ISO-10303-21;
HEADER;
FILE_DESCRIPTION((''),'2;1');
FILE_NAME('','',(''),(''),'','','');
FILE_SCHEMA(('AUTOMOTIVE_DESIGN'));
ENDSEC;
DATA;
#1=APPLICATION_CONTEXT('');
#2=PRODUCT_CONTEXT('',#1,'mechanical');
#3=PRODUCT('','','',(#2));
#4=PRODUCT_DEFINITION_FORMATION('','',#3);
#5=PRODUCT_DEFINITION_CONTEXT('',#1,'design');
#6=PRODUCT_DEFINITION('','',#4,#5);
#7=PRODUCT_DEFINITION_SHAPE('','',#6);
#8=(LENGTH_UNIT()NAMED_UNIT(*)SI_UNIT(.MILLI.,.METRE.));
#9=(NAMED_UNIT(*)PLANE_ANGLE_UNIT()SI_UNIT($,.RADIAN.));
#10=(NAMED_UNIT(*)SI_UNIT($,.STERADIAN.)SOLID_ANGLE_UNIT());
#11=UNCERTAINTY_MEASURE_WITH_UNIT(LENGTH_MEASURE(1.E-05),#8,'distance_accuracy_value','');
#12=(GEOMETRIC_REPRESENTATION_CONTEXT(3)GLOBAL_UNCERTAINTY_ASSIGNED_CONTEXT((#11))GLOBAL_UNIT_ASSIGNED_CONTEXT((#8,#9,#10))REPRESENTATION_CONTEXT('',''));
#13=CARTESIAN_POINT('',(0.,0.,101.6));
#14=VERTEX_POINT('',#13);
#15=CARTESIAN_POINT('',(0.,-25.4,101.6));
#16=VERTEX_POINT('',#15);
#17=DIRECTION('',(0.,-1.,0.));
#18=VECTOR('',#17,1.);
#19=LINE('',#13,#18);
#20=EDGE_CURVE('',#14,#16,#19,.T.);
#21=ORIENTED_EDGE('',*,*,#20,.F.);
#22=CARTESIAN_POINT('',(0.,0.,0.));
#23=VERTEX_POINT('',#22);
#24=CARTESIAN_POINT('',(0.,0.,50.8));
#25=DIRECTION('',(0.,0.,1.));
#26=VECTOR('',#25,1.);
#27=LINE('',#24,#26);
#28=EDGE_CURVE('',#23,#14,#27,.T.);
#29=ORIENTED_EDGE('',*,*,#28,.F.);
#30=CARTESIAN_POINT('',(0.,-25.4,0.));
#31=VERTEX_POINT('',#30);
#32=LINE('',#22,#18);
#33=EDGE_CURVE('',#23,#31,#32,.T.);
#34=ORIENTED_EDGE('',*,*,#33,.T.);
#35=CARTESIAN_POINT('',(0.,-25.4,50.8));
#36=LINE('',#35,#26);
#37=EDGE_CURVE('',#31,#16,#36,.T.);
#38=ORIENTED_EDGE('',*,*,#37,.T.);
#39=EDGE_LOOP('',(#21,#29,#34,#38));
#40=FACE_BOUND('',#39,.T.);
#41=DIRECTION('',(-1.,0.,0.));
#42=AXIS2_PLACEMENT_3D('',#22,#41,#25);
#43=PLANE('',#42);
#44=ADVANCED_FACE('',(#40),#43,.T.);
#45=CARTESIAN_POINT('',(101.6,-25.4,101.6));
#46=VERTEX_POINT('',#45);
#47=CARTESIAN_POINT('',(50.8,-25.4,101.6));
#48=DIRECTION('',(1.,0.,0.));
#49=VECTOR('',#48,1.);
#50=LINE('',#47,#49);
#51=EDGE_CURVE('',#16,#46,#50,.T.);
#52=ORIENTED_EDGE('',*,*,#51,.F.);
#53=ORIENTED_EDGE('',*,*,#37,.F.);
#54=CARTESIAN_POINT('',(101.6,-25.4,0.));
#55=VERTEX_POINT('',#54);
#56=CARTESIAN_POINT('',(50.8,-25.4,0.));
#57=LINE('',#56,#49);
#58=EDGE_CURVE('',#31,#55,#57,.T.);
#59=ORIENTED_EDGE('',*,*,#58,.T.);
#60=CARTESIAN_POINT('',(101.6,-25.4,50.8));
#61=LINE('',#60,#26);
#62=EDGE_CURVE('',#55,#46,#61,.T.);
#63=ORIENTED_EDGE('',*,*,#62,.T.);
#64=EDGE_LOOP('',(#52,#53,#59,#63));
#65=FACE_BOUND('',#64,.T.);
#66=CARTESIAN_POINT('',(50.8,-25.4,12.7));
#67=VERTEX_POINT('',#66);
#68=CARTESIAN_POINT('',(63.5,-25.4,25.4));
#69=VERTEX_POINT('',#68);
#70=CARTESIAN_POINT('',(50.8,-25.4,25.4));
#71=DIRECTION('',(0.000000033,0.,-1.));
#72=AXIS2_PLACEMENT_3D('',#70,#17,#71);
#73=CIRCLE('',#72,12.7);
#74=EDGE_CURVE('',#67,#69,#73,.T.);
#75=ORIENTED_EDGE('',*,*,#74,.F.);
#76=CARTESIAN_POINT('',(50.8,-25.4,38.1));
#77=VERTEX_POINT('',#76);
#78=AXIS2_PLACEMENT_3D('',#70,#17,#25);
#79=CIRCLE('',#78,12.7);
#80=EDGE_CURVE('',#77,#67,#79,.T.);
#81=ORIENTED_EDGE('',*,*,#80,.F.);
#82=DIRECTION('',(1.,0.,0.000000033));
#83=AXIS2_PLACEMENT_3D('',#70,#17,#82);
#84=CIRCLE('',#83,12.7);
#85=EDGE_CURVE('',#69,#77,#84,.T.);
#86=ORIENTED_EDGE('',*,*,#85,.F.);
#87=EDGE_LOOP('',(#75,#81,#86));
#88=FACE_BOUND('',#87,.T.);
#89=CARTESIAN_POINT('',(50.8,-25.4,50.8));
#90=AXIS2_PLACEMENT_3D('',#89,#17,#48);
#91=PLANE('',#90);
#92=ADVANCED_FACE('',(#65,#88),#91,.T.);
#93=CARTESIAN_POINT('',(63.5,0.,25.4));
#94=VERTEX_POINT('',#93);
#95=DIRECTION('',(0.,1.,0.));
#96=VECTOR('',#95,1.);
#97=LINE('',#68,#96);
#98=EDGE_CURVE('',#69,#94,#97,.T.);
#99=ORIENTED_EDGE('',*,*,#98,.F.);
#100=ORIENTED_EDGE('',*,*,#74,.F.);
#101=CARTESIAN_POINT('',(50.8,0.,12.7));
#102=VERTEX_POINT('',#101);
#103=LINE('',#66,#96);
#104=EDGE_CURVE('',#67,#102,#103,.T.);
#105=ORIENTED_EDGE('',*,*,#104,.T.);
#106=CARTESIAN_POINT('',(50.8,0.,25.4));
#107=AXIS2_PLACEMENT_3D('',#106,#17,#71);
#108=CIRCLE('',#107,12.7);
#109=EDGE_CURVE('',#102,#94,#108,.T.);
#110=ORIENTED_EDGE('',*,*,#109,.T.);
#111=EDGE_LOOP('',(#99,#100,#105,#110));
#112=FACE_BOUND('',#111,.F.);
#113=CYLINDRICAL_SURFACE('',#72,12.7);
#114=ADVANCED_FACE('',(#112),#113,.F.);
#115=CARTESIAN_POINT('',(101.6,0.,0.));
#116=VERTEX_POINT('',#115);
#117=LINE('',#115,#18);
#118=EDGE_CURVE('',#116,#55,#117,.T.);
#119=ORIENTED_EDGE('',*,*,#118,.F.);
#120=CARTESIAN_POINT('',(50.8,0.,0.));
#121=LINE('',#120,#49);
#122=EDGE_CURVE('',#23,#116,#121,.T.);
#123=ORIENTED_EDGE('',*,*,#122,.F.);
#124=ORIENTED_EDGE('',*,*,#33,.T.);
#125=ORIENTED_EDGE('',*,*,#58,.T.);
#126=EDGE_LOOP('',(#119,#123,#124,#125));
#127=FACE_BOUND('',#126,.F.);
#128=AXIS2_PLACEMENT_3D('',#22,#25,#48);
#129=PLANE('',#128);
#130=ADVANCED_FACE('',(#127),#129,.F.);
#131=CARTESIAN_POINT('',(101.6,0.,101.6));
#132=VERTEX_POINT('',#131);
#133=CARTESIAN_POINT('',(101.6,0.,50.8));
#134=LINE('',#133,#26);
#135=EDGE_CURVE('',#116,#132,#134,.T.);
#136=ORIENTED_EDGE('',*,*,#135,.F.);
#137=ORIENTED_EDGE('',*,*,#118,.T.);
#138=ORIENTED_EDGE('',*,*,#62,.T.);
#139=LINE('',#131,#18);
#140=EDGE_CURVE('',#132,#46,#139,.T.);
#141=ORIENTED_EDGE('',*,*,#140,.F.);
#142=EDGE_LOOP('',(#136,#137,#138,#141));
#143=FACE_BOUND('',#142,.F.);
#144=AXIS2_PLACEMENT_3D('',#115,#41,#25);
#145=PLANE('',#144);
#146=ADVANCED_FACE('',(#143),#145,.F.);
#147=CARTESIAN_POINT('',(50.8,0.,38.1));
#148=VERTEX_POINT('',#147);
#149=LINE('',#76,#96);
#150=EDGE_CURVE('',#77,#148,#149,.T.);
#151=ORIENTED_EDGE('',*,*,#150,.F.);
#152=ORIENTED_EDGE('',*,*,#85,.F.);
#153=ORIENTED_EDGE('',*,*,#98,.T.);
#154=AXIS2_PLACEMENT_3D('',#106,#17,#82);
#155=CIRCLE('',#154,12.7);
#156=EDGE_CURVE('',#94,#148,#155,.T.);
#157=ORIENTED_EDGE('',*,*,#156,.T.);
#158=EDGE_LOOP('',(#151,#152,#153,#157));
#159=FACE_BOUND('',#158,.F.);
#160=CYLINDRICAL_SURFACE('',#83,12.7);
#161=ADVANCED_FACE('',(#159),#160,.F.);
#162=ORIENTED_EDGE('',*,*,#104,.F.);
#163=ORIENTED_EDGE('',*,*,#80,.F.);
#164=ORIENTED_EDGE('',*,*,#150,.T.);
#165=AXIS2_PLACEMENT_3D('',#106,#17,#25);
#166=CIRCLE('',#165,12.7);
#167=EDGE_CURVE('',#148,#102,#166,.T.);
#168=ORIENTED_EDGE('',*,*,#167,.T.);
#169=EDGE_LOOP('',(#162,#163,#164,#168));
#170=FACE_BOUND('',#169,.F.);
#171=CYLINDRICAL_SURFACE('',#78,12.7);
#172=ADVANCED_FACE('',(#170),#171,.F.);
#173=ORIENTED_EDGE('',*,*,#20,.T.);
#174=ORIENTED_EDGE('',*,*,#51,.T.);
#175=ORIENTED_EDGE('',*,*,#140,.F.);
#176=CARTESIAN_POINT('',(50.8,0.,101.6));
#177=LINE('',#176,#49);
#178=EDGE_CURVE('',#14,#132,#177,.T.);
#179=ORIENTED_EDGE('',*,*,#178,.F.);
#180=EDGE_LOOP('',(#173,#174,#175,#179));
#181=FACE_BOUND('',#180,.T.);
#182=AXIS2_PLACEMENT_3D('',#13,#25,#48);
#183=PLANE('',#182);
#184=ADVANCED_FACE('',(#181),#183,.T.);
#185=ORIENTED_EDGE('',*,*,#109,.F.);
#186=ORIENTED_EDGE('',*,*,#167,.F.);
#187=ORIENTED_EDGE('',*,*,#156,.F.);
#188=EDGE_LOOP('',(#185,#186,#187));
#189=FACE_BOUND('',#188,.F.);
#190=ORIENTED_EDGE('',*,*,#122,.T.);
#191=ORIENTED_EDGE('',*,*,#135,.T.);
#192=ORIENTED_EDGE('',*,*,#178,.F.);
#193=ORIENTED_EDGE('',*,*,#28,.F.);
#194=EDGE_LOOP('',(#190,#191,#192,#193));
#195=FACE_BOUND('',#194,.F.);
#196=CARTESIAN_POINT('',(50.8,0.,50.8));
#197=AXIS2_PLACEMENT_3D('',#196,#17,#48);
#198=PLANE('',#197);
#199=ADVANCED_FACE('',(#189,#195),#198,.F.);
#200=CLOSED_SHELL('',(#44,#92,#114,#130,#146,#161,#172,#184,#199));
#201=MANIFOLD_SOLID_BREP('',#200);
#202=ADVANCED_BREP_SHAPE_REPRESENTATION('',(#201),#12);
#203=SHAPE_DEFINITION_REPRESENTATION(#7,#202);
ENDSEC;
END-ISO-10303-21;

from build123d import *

# Parameters (mm, degrees)
F0_W     = 101.6
F0_H     = 101.6
F1_DEPTH = 25.4
F3_DEPTH = 25.401


with BuildPart() as f1:
    # F0 (on Front) → F1 (new body)
    with BuildSketch(Plane.XZ):
        with Locations((50.8, 50.8)):
            Rectangle(F0_W, F0_H)
    extrude(amount=F1_DEPTH)

    # F2 (on face) → F3 (cut, through all)
    with BuildSketch(Plane.XZ.offset(25.4)):
        with BuildLine():
            ThreePointArc((63.5, 25.4), (59.780256, 34.380256), (50.8, 38.1))
            Line((50.8, 38.1), (50.8, 12.7))
            ThreePointArc((50.8, 12.7), (59.780256, 16.419744), (63.5, 25.4))
        make_face()
        with BuildLine():
            Line((50.8, 12.7), (50.8, 38.1))
            ThreePointArc((50.8, 38.1), (38.1, 25.4), (50.8, 12.7))
        make_face()
    extrude(amount=-F3_DEPTH, mode=Mode.SUBTRACT)


solid = f1.part
